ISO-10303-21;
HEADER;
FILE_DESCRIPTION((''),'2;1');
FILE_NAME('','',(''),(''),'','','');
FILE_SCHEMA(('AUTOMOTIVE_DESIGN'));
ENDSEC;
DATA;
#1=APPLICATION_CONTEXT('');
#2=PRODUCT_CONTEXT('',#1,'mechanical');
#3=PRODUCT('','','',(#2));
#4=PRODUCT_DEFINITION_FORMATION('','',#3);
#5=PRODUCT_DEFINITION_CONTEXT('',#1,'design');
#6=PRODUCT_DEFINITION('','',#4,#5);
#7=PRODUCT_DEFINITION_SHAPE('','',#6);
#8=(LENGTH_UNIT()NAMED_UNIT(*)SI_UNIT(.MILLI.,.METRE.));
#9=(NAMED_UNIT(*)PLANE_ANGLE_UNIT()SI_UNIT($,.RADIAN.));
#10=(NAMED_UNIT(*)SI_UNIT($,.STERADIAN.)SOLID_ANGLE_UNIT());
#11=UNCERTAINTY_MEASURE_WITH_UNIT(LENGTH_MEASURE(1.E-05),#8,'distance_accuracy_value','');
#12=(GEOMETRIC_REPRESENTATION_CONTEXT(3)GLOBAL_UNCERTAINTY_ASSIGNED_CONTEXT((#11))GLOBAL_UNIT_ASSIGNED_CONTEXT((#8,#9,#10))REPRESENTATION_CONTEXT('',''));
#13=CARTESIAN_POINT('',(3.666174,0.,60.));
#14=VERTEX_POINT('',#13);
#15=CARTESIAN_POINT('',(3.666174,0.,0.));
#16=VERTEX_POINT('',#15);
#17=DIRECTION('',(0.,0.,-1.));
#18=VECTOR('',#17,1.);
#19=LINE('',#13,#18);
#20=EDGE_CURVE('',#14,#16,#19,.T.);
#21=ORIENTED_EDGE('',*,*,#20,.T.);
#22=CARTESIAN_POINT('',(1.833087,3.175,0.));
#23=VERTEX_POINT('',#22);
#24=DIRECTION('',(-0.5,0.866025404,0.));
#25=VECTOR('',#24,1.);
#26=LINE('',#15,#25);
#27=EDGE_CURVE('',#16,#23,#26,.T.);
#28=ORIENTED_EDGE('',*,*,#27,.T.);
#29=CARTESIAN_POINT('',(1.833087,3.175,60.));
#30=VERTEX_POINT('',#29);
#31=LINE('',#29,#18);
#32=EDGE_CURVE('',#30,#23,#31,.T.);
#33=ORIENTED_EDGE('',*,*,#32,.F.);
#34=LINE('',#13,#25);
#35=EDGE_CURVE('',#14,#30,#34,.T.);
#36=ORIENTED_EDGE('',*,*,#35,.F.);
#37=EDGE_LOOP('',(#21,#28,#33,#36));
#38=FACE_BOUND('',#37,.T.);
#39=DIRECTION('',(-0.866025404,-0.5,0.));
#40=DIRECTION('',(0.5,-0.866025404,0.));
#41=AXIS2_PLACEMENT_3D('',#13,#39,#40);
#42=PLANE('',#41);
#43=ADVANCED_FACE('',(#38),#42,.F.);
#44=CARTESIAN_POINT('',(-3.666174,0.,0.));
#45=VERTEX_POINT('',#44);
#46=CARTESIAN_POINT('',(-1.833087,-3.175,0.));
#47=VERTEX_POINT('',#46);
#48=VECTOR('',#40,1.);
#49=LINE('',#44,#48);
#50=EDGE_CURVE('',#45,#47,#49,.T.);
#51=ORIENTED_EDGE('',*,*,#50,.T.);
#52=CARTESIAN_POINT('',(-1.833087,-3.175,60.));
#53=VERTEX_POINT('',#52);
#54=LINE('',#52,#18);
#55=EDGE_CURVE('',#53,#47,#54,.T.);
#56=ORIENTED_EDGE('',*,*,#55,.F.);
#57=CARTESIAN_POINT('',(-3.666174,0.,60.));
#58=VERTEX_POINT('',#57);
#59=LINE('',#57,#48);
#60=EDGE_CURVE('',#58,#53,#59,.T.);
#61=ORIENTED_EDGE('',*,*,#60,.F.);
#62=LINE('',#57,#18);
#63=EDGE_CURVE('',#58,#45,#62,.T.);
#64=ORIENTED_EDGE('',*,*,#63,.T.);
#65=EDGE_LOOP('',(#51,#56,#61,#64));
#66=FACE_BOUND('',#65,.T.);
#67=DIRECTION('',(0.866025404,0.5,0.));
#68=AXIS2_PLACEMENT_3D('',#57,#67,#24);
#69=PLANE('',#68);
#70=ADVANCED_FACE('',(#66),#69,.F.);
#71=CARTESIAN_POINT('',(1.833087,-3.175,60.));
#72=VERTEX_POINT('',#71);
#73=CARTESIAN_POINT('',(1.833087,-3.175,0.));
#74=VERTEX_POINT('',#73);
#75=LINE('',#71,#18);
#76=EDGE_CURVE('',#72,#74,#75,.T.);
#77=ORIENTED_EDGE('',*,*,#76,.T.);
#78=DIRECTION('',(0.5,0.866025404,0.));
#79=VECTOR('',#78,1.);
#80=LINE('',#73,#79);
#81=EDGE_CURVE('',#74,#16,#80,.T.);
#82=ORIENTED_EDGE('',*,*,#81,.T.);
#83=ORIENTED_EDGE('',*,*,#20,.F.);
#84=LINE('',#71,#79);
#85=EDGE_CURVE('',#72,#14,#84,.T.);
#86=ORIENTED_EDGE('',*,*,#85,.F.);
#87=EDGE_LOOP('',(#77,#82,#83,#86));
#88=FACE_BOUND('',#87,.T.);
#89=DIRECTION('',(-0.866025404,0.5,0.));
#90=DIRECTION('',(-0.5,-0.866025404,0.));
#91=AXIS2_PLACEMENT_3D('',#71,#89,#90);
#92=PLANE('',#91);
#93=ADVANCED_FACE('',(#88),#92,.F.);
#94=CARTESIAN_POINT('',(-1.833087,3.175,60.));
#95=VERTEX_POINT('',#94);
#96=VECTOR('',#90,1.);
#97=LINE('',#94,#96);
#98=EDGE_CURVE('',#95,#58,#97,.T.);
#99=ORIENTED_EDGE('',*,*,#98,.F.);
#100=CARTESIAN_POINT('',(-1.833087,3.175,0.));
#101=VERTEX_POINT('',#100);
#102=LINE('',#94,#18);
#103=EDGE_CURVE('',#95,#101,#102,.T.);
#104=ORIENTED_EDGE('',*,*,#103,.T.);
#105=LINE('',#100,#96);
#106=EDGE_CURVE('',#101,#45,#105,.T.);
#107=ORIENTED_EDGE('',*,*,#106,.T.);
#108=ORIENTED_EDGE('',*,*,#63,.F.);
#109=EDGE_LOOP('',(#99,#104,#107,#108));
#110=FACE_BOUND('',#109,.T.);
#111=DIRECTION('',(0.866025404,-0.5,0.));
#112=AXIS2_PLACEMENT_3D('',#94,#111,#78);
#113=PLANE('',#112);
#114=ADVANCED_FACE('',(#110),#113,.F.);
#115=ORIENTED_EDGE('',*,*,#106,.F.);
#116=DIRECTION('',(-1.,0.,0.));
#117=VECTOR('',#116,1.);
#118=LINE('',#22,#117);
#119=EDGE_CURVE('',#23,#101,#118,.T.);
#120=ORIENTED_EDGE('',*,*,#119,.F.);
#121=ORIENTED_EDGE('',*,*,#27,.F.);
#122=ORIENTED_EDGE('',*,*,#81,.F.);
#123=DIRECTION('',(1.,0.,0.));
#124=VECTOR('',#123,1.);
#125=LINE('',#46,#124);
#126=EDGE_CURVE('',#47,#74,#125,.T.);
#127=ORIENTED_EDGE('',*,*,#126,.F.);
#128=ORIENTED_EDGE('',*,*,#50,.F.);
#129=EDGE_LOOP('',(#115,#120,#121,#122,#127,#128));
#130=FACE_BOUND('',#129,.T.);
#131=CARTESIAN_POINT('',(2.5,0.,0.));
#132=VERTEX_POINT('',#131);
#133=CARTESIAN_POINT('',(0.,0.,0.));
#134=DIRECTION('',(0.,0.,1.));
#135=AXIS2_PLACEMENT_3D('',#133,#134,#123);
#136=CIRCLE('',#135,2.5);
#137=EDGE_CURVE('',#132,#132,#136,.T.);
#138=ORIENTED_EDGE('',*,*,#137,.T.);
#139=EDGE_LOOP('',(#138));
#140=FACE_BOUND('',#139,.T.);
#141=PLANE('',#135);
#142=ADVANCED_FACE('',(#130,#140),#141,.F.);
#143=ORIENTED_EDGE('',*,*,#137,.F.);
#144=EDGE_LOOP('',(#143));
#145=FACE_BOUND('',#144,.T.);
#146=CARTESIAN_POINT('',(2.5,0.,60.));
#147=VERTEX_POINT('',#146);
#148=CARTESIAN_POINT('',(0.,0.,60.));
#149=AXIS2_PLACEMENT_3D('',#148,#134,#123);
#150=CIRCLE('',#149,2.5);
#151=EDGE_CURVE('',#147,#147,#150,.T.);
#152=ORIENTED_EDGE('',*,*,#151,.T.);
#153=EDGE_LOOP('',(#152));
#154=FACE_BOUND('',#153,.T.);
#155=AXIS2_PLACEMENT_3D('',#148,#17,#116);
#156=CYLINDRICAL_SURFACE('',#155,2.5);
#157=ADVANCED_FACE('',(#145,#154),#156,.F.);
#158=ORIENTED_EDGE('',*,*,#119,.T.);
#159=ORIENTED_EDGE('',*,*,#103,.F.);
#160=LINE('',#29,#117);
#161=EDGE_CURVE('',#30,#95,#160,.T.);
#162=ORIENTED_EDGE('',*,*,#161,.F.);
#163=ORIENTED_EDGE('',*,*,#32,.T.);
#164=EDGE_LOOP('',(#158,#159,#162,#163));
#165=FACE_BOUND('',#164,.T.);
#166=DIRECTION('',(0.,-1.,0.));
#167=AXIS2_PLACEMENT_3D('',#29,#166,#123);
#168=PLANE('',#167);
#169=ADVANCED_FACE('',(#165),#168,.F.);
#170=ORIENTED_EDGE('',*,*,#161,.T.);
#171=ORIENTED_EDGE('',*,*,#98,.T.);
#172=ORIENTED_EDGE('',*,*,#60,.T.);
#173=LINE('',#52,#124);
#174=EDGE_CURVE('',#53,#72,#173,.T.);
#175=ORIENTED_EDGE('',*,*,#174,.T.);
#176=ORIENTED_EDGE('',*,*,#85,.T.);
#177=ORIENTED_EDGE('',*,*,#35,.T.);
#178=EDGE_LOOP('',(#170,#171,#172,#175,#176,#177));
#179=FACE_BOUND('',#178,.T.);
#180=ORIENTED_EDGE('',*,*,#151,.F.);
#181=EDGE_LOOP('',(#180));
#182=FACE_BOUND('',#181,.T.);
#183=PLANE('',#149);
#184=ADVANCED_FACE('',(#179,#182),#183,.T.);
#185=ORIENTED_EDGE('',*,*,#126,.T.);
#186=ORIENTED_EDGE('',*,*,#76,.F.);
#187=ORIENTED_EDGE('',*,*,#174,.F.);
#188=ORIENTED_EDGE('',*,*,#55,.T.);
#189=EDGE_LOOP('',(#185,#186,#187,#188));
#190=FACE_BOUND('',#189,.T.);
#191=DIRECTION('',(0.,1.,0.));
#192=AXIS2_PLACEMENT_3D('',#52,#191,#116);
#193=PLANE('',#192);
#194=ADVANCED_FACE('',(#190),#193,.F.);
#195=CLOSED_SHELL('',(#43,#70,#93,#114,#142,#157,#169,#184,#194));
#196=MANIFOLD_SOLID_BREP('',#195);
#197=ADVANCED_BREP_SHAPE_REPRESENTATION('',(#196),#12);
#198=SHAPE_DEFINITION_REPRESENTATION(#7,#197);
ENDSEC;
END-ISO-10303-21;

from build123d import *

# Parameters (mm, degrees)
SKETCH1_R           = 2.5
BOSS_EXTRUDE1_DEPTH = 60


with BuildPart() as part:
    # Sketch1 → Boss-Extrude1 (new body)
    with BuildSketch(Plane.XY):
        Polygon((3.666174209, 0), (1.833087105, 3.175), (-1.833087105, 3.175), (-3.666174209, 0), (-1.833087105, -3.175), (1.833087105, -3.175), align=None)
        Circle(SKETCH1_R, mode=Mode.SUBTRACT)
    extrude(amount=BOSS_EXTRUDE1_DEPTH)


solid = part.part
